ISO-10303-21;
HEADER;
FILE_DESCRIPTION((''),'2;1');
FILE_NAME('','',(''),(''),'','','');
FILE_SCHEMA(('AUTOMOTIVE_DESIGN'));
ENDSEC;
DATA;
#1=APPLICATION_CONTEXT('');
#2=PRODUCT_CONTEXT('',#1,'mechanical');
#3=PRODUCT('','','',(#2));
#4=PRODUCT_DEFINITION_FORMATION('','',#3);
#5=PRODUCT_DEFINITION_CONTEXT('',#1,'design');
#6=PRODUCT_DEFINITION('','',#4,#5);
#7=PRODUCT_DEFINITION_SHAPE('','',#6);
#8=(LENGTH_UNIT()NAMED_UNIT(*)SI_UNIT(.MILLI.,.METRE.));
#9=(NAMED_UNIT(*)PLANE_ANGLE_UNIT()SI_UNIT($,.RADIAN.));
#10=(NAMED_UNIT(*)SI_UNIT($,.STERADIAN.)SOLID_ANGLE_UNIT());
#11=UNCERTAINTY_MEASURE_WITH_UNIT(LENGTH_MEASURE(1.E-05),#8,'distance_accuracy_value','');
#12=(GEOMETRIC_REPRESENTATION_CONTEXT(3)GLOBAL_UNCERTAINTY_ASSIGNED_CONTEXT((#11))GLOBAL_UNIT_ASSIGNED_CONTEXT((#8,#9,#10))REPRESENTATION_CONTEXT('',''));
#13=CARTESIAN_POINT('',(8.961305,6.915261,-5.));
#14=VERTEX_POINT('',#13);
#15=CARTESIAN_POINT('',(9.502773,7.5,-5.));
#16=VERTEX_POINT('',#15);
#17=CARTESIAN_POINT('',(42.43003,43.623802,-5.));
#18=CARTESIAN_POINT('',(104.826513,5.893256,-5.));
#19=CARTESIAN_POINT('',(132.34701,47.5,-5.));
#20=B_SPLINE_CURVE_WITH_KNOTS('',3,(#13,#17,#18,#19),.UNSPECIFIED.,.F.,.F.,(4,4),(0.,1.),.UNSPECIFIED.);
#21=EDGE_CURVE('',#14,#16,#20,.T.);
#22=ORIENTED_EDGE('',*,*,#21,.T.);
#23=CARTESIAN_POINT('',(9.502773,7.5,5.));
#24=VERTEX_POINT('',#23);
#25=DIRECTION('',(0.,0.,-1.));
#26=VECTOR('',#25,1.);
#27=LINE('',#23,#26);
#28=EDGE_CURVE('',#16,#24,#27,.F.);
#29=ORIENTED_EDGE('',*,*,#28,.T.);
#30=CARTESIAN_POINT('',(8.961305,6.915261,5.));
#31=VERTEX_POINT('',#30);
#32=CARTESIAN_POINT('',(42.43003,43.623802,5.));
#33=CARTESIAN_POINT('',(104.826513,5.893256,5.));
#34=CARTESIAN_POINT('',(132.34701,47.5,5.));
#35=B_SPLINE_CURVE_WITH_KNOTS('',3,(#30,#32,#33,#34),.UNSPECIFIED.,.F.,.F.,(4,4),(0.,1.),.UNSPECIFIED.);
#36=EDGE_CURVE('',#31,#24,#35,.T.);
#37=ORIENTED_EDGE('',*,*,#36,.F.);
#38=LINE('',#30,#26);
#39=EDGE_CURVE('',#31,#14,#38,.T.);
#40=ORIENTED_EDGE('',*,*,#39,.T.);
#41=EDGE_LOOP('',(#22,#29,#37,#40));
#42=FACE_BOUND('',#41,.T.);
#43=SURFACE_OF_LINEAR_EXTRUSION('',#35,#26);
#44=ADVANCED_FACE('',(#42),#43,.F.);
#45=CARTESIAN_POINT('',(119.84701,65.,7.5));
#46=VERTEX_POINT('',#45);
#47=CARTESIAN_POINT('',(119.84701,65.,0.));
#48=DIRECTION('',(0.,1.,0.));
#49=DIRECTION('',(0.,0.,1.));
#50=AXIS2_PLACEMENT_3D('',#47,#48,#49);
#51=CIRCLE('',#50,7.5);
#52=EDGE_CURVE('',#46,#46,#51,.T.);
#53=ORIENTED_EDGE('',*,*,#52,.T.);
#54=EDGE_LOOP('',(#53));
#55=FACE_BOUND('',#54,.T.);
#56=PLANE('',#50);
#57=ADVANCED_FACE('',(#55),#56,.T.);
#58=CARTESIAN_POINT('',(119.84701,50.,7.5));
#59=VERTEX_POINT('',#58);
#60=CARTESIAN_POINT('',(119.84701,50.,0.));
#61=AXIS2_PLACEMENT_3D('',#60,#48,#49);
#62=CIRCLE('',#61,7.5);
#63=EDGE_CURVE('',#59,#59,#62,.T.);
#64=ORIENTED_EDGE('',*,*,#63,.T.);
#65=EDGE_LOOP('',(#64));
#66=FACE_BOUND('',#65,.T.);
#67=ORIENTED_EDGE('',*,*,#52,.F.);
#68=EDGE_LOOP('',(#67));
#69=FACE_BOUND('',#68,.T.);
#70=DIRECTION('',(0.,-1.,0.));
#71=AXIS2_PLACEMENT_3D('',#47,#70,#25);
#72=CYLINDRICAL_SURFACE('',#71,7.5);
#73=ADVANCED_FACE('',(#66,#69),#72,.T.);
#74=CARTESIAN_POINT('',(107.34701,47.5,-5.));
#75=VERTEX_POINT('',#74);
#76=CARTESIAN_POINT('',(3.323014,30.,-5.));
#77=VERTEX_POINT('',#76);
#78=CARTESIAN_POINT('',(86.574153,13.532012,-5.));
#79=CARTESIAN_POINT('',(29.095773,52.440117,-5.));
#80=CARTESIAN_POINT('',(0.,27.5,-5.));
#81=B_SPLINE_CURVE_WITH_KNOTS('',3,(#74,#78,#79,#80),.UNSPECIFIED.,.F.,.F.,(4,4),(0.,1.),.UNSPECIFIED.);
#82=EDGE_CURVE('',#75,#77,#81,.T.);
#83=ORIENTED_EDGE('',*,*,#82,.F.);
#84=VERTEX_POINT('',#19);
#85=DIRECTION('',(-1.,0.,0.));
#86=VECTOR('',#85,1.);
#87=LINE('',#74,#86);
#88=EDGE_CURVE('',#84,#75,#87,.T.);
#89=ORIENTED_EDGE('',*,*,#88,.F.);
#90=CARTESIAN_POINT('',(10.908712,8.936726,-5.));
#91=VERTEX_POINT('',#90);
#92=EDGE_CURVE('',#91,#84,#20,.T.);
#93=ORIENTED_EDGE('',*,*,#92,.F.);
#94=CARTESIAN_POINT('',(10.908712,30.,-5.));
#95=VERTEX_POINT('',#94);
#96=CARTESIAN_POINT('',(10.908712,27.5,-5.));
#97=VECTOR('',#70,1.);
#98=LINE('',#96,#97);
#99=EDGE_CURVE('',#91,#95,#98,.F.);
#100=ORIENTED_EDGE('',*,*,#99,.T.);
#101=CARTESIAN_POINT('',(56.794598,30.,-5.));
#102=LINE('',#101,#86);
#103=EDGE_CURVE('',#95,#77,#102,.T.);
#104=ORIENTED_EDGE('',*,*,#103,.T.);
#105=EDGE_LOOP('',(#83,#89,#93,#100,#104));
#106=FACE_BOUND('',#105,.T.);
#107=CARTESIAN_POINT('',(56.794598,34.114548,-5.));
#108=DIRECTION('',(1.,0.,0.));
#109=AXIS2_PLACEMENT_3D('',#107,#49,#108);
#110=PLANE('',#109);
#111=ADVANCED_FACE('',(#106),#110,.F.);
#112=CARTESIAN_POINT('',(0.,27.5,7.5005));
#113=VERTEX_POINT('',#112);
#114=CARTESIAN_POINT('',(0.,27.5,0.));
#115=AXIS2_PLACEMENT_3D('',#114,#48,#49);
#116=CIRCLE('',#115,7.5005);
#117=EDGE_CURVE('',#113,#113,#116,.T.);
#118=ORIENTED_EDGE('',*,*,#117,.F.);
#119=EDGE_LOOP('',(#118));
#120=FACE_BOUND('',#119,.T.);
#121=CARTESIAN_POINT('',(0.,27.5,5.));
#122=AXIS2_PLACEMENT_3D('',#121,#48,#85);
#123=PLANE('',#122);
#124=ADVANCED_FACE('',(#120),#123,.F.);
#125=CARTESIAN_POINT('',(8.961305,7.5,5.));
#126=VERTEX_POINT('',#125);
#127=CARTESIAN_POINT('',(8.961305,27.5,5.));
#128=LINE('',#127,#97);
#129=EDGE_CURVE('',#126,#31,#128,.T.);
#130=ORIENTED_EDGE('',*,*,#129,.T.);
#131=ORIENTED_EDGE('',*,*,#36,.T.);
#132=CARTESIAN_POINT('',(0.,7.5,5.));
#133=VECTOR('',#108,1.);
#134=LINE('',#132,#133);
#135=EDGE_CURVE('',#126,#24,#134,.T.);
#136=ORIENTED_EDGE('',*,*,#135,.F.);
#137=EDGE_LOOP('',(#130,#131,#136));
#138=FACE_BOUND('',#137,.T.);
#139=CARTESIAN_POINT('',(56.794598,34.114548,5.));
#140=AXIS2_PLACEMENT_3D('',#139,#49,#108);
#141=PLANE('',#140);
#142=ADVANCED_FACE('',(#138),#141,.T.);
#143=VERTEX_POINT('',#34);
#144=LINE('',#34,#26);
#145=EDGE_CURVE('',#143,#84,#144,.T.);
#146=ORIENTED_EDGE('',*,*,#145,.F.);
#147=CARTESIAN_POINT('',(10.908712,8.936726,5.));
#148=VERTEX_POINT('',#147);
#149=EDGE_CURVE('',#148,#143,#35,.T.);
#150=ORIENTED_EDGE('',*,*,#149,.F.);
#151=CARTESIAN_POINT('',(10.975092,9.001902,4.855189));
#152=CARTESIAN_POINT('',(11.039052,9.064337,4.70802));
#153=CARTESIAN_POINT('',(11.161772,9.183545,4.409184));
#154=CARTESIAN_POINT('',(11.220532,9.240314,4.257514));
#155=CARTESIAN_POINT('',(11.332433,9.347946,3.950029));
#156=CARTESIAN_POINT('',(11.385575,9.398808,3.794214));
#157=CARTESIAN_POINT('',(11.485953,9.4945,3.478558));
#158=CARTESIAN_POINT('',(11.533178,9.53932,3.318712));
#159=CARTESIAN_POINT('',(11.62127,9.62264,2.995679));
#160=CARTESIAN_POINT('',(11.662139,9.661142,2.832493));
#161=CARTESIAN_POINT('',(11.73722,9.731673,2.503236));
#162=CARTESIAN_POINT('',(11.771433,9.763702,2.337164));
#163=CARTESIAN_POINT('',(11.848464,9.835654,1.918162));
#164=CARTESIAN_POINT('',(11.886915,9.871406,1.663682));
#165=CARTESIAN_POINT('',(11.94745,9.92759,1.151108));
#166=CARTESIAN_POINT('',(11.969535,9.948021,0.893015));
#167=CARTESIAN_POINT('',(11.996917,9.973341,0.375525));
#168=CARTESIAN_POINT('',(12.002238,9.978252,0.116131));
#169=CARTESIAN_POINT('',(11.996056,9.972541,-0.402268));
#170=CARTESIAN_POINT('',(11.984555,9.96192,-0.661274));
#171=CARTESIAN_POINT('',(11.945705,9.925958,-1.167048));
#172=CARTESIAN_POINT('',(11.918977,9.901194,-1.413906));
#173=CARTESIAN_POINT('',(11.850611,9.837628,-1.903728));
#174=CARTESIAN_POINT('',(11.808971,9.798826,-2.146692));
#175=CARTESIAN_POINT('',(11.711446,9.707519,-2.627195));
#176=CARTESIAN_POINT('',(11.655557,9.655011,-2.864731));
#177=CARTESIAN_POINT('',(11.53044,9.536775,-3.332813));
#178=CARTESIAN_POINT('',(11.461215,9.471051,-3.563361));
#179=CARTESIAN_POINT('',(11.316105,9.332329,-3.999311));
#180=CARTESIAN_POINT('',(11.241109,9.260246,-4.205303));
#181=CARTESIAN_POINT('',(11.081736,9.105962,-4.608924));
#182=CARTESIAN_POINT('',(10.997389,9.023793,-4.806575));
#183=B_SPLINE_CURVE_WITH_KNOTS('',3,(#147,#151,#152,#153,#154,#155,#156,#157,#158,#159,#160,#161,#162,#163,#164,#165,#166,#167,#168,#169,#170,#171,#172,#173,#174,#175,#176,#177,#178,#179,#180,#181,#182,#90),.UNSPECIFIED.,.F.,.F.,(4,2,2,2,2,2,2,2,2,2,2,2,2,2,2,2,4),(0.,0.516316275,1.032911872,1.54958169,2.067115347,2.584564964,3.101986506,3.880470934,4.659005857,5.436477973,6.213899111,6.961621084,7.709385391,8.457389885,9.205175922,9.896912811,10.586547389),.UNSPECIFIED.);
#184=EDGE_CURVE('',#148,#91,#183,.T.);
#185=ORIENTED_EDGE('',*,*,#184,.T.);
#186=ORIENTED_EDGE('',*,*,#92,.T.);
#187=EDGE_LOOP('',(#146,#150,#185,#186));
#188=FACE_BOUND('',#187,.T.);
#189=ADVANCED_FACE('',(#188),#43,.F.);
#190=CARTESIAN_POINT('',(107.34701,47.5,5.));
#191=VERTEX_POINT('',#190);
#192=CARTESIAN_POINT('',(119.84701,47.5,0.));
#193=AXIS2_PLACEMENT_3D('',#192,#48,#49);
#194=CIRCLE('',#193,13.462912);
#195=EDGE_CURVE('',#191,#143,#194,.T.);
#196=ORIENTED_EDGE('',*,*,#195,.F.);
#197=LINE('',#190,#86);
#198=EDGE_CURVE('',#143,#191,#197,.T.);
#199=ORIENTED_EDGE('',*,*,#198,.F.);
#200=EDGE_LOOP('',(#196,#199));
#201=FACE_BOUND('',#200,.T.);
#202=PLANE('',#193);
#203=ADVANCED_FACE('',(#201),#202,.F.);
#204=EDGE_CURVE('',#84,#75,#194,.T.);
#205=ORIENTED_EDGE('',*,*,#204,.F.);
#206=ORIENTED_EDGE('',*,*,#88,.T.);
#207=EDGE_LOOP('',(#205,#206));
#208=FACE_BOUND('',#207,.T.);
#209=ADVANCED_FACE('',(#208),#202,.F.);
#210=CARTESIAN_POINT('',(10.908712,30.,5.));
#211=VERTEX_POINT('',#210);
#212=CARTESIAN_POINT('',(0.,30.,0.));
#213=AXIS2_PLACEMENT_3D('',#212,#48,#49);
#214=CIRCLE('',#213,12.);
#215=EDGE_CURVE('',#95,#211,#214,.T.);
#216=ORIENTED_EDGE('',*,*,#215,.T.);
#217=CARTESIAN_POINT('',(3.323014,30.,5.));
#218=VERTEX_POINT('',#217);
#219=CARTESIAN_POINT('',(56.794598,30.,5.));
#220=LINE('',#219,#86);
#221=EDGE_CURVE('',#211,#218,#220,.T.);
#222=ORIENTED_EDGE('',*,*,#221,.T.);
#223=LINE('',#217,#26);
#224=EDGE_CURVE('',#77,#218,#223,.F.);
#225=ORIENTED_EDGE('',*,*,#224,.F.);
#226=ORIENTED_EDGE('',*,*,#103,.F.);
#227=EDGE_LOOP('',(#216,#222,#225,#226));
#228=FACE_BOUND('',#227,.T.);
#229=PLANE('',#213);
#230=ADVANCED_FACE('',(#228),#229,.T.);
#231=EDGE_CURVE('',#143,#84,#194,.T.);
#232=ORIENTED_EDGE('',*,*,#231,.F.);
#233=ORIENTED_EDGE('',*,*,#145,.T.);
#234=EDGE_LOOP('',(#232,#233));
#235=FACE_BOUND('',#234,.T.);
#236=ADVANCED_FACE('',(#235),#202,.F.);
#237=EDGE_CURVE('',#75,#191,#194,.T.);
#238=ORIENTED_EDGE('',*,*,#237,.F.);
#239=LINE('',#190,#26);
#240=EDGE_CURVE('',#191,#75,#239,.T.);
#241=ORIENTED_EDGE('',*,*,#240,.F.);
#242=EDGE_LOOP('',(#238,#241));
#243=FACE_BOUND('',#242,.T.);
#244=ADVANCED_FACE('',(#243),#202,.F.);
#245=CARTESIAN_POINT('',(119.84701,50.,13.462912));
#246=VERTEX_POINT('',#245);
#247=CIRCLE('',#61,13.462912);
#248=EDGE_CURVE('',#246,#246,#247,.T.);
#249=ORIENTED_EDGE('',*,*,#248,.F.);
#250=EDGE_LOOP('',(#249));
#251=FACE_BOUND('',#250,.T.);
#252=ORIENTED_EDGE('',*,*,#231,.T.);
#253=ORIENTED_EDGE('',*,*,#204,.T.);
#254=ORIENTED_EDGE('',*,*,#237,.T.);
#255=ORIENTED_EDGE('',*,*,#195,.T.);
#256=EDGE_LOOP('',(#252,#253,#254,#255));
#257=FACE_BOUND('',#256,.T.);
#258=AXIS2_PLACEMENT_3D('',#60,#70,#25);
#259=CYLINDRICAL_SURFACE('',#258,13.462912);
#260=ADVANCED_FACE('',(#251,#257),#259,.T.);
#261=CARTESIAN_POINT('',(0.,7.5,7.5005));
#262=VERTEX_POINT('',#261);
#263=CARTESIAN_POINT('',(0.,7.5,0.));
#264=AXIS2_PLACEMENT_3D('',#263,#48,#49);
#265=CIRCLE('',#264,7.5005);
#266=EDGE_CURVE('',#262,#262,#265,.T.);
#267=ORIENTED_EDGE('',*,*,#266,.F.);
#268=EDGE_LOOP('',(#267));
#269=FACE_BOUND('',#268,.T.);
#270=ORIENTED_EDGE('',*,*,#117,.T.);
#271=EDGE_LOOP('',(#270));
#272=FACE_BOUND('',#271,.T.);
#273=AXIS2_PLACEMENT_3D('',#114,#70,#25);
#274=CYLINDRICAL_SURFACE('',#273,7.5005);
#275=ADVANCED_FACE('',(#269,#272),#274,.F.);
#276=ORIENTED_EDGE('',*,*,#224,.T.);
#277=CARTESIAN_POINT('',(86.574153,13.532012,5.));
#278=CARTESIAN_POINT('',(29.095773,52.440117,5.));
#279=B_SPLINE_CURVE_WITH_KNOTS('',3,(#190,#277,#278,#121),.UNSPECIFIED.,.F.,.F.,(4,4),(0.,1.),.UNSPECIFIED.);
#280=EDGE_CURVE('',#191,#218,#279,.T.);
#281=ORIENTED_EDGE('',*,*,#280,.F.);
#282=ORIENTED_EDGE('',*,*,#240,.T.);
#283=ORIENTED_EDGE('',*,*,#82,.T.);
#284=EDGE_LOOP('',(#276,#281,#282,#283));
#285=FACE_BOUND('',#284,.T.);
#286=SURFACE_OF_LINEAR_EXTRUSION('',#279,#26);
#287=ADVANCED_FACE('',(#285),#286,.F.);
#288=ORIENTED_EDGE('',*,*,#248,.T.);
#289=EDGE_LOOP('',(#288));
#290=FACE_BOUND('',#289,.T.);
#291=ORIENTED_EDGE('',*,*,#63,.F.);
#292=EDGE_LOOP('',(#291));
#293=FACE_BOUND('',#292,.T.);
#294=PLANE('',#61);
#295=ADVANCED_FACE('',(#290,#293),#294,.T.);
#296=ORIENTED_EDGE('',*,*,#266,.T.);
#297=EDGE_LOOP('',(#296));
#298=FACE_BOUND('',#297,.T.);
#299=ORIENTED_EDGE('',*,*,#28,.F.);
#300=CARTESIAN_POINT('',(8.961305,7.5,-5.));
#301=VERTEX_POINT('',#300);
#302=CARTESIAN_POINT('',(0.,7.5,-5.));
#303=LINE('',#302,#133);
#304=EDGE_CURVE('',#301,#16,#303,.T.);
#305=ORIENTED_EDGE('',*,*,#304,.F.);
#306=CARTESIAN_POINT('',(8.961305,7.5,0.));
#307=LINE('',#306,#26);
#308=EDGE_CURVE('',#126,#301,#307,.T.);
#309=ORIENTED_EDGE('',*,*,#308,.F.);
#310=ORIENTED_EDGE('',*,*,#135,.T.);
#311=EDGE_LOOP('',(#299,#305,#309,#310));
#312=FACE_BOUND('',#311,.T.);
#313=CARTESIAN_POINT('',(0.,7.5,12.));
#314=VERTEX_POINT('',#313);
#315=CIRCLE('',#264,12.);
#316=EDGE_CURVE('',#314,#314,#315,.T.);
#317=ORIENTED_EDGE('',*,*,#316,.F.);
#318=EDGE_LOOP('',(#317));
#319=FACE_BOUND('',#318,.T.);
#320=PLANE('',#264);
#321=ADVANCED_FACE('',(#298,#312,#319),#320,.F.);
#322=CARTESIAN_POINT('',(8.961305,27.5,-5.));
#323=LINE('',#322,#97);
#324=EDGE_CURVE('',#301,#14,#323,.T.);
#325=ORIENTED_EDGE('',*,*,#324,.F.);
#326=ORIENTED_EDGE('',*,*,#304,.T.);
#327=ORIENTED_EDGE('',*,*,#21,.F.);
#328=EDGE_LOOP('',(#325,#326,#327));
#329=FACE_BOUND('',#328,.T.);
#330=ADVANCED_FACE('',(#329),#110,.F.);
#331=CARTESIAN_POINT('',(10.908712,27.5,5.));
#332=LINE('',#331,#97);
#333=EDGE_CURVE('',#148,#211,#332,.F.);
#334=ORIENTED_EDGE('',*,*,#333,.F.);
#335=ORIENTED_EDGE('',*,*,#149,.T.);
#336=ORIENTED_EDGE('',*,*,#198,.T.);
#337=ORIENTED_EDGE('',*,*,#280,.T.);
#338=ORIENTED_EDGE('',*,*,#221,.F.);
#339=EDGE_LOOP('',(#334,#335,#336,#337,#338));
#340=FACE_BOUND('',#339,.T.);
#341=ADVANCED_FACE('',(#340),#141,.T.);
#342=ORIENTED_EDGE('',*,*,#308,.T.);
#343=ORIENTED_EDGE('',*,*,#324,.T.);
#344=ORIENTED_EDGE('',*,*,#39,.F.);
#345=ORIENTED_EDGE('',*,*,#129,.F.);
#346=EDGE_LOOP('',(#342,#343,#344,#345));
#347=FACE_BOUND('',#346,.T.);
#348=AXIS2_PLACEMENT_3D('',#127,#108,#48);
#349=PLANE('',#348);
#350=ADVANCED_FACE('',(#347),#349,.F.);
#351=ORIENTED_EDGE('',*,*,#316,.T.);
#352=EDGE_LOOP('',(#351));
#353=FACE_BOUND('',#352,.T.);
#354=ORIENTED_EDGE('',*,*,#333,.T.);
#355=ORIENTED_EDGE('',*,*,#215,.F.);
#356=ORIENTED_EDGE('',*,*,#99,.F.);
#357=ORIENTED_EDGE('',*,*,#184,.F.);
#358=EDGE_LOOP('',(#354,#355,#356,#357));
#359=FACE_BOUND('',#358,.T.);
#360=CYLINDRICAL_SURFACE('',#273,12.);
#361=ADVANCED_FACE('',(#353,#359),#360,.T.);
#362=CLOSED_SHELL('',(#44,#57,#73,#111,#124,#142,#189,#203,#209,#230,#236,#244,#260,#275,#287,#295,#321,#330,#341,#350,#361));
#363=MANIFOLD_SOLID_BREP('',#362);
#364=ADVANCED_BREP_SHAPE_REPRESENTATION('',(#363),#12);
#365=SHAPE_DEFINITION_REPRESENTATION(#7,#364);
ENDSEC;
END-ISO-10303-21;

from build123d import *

# Parameters (mm, degrees)
BOSS_EXTRUDE1_START = 7.5
SKETCH1_R           = 12
SKETCH1_R_2         = 7.5005
BOSS_EXTRUDE1_DEPTH = 20
BOSS_EXTRUDE2_DEPTH = 5
BOSS_EXTRUDE3_START = 27.5
SKETCH1_2_R         = 12
SKETCH1_2_R_2       = 7.5005
BOSS_EXTRUDE3_DEPTH = 2.5
SKETCH3_R           = 13.462912018
BOSS_EXTRUDE4_DEPTH = 2.5
SKETCH5_R           = 7.5
BOSS_EXTRUDE5_DEPTH = 15


with BuildPart() as part:
    # Sketch1 → Boss-Extrude1 (new body)
    with BuildSketch(Plane(origin=(0, 0, 0), x_dir=(1, 0, 0), z_dir=(0, 1, 0)).offset(BOSS_EXTRUDE1_START)):
        Circle(SKETCH1_R)
        Circle(SKETCH1_R_2, mode=Mode.SUBTRACT)
    extrude(amount=BOSS_EXTRUDE1_DEPTH)

    # Sketch2 → Boss-Extrude2 (add, symmetric)
    with BuildSketch(Plane.XY):
        with BuildLine():
            Line((0, 27.5), (8.9613053, 27.5))
            Line((8.9613053, 27.5), (8.9613053, 6.915260629))
            add(Edge.make_bspline(
                [(8.9613053, 6.915260629), (42.430030167, 43.623802214), (104.826512854, 5.893256195), (132.347009744, 47.5)],
                knots=[0, 0, 0, 0, 1, 1, 1, 1], degree=3))
            Line((132.347009744, 47.5), (107.347009744, 47.5))
            add(Edge.make_bspline(
                [(0, 27.5), (29.095772849, 52.440117374), (86.574153169, 13.532011579), (107.347009744, 47.5)],
                knots=[0, 0, 0, 0, 1, 1, 1, 1], degree=3))
        make_face()
    extrude(amount=BOSS_EXTRUDE2_DEPTH, both=True)

    # Sketch1<2> → Boss-Extrude3 (add)
    with BuildSketch(Plane(origin=(0, 0, 0), x_dir=(1, 0, 0), z_dir=(0, 1, 0)).offset(BOSS_EXTRUDE3_START)):
        Circle(SKETCH1_2_R)
        Circle(SKETCH1_2_R_2, mode=Mode.SUBTRACT)
        Circle(SKETCH1_2_R_2)
    extrude(amount=BOSS_EXTRUDE3_DEPTH)

    # Sketch3 → Boss-Extrude4 (add)
    with BuildSketch(Plane(origin=(0, 47.5, 0), x_dir=(1, 0, 0), z_dir=(0, 1, 0))):
        with Locations((119.847009744, 0)):
            Circle(SKETCH3_R)
    extrude(amount=BOSS_EXTRUDE4_DEPTH)

    # Sketch5 → Boss-Extrude5 (add)
    with BuildSketch(Plane(origin=(0, 50, 0), x_dir=(1, 0, 0), z_dir=(0, 1, 0))):
        with Locations((119.847009744, 0)):
            Circle(SKETCH5_R)
    extrude(amount=BOSS_EXTRUDE5_DEPTH)


solid = part.part
